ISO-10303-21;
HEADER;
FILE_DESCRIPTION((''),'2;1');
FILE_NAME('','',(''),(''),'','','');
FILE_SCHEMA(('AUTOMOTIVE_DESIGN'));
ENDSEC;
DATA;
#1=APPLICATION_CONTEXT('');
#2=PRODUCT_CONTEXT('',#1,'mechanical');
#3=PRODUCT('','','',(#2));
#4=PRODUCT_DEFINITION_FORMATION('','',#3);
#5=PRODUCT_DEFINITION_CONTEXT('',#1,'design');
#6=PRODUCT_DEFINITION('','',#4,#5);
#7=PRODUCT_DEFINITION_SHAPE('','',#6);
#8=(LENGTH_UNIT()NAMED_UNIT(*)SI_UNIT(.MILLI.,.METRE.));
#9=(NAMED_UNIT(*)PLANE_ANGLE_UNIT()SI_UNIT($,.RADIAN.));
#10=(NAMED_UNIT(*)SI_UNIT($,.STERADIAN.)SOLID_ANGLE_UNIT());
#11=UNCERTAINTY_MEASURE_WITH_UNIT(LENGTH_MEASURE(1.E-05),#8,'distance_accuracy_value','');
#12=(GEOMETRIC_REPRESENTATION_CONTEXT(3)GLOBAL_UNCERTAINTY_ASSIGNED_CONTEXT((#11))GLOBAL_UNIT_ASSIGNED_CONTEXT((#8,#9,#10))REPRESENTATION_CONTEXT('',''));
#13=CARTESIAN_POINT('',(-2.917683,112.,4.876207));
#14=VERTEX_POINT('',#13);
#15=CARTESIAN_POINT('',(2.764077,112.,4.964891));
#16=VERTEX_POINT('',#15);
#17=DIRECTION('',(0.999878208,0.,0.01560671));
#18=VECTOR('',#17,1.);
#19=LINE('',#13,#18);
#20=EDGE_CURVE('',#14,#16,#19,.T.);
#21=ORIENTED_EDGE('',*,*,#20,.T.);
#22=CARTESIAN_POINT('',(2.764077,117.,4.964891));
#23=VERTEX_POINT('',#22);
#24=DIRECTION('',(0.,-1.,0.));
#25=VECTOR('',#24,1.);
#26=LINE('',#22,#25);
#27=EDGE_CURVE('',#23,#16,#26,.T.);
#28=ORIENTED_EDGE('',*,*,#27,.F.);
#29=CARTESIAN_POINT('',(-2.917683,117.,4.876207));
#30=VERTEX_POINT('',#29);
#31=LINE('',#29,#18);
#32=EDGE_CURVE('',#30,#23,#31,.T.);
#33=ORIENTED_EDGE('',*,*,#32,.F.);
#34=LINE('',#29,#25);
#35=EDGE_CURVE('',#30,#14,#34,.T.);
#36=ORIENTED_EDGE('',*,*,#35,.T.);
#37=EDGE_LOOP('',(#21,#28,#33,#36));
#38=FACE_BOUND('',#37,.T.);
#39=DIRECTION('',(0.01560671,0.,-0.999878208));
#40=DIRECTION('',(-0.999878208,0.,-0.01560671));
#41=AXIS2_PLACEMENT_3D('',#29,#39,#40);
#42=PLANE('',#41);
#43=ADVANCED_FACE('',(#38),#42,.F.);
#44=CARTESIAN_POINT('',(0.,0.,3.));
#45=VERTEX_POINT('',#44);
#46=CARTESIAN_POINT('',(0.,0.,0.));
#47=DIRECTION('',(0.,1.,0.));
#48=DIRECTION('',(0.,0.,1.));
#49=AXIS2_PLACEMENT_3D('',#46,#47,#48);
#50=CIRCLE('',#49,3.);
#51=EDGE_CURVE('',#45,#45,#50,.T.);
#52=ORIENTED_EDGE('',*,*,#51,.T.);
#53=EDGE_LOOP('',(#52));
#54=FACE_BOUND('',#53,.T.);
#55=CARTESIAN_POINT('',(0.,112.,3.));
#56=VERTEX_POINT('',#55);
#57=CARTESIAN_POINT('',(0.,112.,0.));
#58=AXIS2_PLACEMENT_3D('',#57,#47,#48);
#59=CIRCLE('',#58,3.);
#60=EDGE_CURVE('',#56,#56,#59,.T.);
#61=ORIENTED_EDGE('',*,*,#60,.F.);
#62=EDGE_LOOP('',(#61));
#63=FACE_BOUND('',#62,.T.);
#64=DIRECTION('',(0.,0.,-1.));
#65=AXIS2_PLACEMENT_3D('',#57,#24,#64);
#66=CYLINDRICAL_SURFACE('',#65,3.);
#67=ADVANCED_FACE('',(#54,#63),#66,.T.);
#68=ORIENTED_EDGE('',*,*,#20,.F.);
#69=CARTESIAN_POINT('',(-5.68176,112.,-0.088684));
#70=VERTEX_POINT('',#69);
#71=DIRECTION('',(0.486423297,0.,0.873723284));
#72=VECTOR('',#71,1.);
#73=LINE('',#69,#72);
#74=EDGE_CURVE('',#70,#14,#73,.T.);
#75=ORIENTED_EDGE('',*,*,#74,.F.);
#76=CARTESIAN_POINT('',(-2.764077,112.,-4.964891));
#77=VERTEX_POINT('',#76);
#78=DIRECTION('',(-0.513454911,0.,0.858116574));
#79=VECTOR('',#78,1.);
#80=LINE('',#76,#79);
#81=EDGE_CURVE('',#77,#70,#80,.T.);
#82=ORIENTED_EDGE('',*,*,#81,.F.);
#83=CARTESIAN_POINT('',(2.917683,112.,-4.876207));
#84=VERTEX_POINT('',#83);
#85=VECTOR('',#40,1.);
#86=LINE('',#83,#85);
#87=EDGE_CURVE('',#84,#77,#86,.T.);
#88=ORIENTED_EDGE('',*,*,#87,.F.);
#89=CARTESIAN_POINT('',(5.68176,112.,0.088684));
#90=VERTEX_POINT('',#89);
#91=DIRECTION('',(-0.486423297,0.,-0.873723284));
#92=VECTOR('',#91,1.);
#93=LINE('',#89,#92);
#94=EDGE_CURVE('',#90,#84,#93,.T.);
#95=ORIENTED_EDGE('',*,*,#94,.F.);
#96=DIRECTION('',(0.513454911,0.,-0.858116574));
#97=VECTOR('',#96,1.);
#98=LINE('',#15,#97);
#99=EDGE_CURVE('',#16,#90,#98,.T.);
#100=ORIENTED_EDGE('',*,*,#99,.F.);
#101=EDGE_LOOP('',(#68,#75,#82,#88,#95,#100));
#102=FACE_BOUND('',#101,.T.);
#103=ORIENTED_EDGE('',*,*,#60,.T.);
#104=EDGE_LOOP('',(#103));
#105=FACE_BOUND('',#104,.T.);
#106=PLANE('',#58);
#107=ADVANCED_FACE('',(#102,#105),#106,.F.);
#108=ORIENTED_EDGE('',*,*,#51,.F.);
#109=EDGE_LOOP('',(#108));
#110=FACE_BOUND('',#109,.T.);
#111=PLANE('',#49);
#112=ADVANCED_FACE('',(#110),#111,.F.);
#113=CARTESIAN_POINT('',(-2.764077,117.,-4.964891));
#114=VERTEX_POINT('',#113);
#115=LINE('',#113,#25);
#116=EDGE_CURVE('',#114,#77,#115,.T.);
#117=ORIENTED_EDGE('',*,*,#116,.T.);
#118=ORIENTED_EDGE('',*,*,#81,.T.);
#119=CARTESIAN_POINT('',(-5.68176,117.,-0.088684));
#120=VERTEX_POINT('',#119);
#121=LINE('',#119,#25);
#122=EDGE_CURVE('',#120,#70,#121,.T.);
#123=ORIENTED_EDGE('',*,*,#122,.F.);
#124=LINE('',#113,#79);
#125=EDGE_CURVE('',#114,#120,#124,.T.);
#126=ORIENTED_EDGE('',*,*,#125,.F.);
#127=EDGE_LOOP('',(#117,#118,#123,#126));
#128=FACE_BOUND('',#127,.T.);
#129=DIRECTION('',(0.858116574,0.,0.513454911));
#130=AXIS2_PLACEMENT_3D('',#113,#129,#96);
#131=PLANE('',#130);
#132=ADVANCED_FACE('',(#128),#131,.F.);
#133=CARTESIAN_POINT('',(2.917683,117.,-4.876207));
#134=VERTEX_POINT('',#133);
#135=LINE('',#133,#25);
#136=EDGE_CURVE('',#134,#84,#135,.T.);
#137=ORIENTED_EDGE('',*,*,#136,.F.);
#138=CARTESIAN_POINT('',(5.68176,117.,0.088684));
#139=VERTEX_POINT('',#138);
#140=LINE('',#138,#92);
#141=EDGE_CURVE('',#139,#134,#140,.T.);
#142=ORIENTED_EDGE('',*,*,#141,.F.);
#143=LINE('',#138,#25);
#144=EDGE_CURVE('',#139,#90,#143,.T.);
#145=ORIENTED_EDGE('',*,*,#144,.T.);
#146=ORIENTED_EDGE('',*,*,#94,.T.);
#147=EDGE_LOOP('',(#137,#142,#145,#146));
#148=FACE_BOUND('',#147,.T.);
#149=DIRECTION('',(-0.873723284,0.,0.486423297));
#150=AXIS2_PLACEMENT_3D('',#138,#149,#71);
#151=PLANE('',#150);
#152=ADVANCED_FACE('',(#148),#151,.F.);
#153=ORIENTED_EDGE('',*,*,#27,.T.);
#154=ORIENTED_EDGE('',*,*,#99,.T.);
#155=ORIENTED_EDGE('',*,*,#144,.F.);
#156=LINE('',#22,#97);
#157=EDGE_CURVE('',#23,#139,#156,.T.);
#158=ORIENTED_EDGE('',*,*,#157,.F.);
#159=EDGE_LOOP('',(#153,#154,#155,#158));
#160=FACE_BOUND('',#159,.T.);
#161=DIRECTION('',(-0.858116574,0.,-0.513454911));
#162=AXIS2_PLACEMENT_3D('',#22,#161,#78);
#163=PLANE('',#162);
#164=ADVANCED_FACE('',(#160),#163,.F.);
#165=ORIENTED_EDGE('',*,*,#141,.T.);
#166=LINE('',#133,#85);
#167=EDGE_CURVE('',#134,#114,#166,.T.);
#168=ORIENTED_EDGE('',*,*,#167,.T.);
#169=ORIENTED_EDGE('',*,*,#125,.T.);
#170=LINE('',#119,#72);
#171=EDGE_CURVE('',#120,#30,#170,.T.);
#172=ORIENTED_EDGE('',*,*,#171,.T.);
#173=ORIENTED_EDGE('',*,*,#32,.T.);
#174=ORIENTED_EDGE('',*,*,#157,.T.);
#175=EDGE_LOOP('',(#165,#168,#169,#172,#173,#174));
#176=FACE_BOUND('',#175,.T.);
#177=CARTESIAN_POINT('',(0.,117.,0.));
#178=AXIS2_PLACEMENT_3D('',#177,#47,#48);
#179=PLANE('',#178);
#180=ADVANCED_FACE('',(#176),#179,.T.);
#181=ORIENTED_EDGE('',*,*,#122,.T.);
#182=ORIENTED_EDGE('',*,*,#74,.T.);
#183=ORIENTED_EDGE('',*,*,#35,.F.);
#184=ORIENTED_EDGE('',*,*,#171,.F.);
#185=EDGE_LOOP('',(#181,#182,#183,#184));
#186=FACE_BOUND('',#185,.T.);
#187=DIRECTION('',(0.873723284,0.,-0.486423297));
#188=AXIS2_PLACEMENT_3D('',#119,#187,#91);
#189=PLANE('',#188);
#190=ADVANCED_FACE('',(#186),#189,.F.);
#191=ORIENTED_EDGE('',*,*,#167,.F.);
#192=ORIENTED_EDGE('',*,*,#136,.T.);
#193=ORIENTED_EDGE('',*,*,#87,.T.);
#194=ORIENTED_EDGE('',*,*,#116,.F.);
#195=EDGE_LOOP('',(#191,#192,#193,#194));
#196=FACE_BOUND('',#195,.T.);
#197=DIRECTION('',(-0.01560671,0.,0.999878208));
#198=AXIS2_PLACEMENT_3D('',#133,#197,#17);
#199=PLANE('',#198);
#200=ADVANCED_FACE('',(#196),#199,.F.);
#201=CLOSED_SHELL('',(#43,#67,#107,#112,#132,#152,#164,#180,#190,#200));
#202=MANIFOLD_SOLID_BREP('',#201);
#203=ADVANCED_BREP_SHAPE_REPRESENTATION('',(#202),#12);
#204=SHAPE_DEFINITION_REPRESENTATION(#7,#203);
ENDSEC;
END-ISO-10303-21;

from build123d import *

# Parameters (mm, degrees)
SKETCH1_R           = 3
BOSS_EXTRUDE1_DEPTH = 112
BOSS_EXTRUDE2_DEPTH = 5


with BuildPart() as part:
    # Sketch1 → Boss-Extrude1 (new body)
    with BuildSketch(Plane(origin=(0, 0, 0), x_dir=(1, 0, 0), z_dir=(0, 1, 0))):
        with Locations(Location((0, 0, 0), (0, 0, 270))):
            Circle(SKETCH1_R)
    extrude(amount=BOSS_EXTRUDE1_DEPTH)

    # Sketch2 → Boss-Extrude2 (add)
    with BuildSketch(Plane(origin=(0, 112, 0), x_dir=(1, 0, 0), z_dir=(0, 1, 0))):
        Polygon((2.917683067, 4.876206544), (-2.764077207, 4.964890928), (-5.681760275, 0.088684385), (-2.917683067, -4.876206544), (2.764077207, -4.964890928), (5.681760275, -0.088684385), align=None)
    extrude(amount=BOSS_EXTRUDE2_DEPTH)


solid = part.part
